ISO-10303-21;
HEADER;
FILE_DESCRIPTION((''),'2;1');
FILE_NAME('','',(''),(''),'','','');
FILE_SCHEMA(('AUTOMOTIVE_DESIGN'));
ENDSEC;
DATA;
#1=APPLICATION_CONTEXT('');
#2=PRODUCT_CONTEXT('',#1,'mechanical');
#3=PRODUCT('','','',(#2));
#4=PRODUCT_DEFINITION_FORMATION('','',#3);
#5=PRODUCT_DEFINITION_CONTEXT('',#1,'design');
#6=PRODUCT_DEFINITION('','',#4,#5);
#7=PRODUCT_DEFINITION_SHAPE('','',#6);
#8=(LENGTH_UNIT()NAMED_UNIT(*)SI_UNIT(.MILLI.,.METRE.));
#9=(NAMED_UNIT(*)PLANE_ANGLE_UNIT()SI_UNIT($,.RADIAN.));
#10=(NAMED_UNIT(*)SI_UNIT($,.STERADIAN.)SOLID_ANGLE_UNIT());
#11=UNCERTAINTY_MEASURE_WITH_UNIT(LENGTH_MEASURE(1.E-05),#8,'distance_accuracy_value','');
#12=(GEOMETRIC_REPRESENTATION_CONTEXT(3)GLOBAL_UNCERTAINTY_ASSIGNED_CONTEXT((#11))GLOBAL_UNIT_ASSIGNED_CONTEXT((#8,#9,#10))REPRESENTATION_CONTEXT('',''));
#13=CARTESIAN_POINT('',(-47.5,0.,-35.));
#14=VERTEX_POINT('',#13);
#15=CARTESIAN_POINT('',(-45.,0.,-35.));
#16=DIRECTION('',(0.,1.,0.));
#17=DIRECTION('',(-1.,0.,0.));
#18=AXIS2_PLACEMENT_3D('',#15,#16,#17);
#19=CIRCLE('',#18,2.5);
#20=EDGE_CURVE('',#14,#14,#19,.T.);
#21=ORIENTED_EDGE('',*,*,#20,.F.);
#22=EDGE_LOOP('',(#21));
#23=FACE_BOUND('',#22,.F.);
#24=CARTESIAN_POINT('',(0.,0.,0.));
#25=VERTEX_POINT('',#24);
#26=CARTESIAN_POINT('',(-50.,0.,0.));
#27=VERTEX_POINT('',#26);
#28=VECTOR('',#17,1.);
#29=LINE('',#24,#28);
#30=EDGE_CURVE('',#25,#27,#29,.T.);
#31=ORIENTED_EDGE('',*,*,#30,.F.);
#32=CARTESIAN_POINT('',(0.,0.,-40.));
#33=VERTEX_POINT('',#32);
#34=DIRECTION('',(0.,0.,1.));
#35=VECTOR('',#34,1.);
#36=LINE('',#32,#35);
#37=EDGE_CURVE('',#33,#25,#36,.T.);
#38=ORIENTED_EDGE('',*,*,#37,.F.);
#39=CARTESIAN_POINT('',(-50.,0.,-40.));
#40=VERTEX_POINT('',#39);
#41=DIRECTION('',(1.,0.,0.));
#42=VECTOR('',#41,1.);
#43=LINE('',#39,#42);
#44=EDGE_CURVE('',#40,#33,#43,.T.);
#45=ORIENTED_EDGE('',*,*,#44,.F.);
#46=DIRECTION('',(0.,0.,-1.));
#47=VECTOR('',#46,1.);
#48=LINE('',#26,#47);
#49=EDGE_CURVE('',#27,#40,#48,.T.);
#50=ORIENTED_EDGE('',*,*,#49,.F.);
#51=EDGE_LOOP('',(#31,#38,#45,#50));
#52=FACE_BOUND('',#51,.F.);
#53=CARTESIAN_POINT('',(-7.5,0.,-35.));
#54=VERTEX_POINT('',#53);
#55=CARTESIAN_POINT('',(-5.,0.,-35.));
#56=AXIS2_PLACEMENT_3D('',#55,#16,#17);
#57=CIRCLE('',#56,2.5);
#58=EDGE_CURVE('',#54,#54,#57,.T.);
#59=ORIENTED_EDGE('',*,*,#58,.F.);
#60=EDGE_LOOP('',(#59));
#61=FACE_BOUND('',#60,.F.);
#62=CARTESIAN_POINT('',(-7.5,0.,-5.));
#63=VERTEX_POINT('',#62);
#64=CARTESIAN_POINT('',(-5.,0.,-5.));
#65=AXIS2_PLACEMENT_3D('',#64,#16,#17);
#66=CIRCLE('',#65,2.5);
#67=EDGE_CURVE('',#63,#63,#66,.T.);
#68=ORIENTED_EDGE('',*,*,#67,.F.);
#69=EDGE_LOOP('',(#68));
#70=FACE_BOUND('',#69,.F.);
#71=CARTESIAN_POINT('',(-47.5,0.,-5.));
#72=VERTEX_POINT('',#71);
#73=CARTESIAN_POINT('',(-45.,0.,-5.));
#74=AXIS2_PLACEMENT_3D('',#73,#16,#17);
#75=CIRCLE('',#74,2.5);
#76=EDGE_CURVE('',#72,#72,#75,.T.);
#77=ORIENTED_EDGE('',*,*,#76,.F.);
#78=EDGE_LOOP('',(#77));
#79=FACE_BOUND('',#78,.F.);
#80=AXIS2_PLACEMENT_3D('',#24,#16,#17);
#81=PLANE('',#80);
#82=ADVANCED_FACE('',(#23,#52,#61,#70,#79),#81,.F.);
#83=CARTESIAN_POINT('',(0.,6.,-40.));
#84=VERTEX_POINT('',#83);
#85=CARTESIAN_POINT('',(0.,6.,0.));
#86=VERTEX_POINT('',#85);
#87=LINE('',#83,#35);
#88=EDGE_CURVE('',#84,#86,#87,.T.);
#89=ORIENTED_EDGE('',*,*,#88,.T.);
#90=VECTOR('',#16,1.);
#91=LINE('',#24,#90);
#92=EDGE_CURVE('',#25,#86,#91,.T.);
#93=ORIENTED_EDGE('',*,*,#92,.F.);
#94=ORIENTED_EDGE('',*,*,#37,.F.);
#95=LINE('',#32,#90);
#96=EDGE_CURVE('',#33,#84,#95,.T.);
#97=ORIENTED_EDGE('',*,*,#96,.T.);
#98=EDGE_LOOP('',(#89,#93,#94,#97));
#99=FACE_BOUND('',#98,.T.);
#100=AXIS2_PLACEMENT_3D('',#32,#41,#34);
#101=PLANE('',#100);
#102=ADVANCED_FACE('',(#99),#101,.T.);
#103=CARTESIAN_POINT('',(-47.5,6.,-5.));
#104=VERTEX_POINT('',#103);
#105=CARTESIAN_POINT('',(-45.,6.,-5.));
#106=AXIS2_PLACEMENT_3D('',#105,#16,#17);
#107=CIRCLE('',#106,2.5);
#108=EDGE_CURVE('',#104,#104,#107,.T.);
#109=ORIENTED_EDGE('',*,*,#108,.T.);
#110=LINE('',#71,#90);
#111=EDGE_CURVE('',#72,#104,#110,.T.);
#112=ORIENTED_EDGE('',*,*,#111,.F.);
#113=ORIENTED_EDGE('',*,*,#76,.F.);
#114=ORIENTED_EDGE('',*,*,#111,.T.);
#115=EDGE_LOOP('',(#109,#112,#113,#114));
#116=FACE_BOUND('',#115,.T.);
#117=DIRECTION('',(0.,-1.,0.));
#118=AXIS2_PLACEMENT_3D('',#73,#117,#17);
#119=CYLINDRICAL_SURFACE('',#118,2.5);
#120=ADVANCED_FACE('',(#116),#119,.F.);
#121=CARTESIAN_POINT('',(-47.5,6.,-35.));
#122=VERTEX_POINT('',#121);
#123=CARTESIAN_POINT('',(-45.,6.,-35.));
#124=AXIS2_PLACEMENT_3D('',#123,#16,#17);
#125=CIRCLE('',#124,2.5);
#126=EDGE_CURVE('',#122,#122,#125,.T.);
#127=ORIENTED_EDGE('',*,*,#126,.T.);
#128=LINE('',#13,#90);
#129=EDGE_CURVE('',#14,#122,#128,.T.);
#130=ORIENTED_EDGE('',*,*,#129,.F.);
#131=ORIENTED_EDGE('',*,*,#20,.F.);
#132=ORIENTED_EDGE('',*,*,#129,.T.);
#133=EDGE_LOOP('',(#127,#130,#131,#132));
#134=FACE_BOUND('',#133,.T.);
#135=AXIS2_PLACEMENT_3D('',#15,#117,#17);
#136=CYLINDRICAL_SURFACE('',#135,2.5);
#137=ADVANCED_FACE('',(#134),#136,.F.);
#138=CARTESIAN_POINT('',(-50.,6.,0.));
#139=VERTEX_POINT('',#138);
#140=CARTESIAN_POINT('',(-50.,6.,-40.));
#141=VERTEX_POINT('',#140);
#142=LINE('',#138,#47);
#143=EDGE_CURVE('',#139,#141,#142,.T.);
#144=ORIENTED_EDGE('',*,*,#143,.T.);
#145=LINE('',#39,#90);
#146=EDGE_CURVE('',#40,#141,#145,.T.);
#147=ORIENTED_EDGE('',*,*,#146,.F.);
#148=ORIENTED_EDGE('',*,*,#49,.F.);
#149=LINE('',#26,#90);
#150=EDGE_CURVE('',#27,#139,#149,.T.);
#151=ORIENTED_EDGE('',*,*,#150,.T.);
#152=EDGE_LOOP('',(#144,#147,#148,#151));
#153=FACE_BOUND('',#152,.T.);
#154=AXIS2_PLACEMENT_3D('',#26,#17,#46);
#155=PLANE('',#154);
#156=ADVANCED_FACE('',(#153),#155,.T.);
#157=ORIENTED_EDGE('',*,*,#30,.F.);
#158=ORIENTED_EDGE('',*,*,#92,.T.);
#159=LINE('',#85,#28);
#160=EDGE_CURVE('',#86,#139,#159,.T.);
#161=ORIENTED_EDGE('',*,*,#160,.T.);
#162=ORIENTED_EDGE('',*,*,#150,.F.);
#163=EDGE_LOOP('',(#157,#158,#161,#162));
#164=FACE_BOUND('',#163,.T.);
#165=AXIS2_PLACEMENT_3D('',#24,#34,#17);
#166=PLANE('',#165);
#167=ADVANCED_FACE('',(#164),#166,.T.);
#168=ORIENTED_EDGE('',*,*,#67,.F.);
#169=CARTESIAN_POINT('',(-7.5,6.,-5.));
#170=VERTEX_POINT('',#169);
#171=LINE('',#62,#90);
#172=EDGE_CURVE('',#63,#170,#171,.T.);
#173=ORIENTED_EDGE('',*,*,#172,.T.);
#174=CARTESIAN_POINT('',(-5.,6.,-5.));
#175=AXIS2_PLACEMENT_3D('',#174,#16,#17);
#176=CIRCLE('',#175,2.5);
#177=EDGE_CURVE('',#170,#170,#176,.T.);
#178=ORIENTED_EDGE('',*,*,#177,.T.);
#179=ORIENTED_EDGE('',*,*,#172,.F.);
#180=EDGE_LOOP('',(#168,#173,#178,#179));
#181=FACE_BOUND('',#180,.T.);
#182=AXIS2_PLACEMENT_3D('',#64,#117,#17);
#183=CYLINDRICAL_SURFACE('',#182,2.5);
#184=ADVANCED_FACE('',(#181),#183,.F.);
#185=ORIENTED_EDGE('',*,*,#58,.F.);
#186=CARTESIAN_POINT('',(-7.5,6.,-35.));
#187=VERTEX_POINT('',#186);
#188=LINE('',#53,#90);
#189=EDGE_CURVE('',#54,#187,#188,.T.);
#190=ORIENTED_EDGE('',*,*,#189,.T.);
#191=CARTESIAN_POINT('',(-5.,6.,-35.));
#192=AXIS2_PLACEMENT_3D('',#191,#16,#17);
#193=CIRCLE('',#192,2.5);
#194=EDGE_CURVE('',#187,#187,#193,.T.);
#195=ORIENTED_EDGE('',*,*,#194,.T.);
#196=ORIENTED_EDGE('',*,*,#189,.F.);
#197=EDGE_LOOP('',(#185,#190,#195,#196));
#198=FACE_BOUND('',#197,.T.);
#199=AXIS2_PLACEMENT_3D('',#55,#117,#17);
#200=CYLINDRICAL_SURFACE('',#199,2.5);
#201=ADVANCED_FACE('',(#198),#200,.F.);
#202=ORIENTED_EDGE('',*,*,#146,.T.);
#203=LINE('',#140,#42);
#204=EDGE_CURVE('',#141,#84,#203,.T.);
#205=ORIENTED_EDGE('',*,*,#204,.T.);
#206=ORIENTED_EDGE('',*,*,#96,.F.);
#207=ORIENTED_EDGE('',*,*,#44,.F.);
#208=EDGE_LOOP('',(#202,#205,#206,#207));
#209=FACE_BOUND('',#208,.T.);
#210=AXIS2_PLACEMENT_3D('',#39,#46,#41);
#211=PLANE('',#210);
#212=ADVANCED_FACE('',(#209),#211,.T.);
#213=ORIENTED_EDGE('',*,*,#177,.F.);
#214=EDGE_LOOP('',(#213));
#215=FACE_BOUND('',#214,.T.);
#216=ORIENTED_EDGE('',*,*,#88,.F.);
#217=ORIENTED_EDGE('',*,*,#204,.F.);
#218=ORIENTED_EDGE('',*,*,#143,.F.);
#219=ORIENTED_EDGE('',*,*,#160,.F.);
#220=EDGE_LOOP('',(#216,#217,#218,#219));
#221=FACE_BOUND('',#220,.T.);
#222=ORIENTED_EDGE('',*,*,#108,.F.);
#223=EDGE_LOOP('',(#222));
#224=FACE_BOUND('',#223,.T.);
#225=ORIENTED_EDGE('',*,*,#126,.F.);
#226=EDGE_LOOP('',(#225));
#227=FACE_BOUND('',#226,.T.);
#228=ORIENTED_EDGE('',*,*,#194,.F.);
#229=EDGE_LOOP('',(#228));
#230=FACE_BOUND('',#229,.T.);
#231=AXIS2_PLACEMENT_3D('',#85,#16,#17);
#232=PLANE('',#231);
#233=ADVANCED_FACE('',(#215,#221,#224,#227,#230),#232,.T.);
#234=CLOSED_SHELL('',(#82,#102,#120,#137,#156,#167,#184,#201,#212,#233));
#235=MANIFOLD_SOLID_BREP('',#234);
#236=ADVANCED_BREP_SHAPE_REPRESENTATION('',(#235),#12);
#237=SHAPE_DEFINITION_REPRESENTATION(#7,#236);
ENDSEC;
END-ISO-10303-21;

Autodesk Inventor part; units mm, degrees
ref_plane "YZ Plane" through (0, 0, 0) normal (1, 0, 0) x (0, 1, 0)
ref_plane "XZ Plane" through (0, 0, 0) normal (0, 1, 0) x (-1, 0, 0)
ref_plane "XY Plane" through (0, 0, 0) normal (0, 0, 1) x (1, 0, 0)
sketch "Esquisse1" plane through (0, 0, 0) normal (0, 1, 0) x (-1, 0, 0)
  line L0 (0, 0) -> (50, 0)
  line L1 (50, 0) -> (50, -40)
  line L2 (50, -40) -> (0, -40)
  line L3 (0, -40) -> (0, 0)
  line L4 (50, -20) -> (0, -20) construction
  line L5 (50, -10) -> (0, -10) construction
  line L6 (50, -30) -> (0, -30) construction
  circle A0 centre (45, -5) radius 2.5
  line L7 (25, 0) -> (25, -40) construction
  circle A1 centre (5, -5) radius 2.5
  circle A2 centre (45, -35) radius 2.5
  circle A3 centre (5, -35) radius 2.5
  dimension "d0" = 50
  dimension "d2" = 10
  dimension "d3" = 10
  dimension "d4" = 5
  dimension "d12" = 5
  dimension "d13" = 20
  dimension "d14" = 20
extrude "Extrusion1" add sketch "Esquisse1" along normal blind 6
equation "\"d3\" = d2"
properties part number "hold_motor_bottom" material "Bois (cerisier)"
